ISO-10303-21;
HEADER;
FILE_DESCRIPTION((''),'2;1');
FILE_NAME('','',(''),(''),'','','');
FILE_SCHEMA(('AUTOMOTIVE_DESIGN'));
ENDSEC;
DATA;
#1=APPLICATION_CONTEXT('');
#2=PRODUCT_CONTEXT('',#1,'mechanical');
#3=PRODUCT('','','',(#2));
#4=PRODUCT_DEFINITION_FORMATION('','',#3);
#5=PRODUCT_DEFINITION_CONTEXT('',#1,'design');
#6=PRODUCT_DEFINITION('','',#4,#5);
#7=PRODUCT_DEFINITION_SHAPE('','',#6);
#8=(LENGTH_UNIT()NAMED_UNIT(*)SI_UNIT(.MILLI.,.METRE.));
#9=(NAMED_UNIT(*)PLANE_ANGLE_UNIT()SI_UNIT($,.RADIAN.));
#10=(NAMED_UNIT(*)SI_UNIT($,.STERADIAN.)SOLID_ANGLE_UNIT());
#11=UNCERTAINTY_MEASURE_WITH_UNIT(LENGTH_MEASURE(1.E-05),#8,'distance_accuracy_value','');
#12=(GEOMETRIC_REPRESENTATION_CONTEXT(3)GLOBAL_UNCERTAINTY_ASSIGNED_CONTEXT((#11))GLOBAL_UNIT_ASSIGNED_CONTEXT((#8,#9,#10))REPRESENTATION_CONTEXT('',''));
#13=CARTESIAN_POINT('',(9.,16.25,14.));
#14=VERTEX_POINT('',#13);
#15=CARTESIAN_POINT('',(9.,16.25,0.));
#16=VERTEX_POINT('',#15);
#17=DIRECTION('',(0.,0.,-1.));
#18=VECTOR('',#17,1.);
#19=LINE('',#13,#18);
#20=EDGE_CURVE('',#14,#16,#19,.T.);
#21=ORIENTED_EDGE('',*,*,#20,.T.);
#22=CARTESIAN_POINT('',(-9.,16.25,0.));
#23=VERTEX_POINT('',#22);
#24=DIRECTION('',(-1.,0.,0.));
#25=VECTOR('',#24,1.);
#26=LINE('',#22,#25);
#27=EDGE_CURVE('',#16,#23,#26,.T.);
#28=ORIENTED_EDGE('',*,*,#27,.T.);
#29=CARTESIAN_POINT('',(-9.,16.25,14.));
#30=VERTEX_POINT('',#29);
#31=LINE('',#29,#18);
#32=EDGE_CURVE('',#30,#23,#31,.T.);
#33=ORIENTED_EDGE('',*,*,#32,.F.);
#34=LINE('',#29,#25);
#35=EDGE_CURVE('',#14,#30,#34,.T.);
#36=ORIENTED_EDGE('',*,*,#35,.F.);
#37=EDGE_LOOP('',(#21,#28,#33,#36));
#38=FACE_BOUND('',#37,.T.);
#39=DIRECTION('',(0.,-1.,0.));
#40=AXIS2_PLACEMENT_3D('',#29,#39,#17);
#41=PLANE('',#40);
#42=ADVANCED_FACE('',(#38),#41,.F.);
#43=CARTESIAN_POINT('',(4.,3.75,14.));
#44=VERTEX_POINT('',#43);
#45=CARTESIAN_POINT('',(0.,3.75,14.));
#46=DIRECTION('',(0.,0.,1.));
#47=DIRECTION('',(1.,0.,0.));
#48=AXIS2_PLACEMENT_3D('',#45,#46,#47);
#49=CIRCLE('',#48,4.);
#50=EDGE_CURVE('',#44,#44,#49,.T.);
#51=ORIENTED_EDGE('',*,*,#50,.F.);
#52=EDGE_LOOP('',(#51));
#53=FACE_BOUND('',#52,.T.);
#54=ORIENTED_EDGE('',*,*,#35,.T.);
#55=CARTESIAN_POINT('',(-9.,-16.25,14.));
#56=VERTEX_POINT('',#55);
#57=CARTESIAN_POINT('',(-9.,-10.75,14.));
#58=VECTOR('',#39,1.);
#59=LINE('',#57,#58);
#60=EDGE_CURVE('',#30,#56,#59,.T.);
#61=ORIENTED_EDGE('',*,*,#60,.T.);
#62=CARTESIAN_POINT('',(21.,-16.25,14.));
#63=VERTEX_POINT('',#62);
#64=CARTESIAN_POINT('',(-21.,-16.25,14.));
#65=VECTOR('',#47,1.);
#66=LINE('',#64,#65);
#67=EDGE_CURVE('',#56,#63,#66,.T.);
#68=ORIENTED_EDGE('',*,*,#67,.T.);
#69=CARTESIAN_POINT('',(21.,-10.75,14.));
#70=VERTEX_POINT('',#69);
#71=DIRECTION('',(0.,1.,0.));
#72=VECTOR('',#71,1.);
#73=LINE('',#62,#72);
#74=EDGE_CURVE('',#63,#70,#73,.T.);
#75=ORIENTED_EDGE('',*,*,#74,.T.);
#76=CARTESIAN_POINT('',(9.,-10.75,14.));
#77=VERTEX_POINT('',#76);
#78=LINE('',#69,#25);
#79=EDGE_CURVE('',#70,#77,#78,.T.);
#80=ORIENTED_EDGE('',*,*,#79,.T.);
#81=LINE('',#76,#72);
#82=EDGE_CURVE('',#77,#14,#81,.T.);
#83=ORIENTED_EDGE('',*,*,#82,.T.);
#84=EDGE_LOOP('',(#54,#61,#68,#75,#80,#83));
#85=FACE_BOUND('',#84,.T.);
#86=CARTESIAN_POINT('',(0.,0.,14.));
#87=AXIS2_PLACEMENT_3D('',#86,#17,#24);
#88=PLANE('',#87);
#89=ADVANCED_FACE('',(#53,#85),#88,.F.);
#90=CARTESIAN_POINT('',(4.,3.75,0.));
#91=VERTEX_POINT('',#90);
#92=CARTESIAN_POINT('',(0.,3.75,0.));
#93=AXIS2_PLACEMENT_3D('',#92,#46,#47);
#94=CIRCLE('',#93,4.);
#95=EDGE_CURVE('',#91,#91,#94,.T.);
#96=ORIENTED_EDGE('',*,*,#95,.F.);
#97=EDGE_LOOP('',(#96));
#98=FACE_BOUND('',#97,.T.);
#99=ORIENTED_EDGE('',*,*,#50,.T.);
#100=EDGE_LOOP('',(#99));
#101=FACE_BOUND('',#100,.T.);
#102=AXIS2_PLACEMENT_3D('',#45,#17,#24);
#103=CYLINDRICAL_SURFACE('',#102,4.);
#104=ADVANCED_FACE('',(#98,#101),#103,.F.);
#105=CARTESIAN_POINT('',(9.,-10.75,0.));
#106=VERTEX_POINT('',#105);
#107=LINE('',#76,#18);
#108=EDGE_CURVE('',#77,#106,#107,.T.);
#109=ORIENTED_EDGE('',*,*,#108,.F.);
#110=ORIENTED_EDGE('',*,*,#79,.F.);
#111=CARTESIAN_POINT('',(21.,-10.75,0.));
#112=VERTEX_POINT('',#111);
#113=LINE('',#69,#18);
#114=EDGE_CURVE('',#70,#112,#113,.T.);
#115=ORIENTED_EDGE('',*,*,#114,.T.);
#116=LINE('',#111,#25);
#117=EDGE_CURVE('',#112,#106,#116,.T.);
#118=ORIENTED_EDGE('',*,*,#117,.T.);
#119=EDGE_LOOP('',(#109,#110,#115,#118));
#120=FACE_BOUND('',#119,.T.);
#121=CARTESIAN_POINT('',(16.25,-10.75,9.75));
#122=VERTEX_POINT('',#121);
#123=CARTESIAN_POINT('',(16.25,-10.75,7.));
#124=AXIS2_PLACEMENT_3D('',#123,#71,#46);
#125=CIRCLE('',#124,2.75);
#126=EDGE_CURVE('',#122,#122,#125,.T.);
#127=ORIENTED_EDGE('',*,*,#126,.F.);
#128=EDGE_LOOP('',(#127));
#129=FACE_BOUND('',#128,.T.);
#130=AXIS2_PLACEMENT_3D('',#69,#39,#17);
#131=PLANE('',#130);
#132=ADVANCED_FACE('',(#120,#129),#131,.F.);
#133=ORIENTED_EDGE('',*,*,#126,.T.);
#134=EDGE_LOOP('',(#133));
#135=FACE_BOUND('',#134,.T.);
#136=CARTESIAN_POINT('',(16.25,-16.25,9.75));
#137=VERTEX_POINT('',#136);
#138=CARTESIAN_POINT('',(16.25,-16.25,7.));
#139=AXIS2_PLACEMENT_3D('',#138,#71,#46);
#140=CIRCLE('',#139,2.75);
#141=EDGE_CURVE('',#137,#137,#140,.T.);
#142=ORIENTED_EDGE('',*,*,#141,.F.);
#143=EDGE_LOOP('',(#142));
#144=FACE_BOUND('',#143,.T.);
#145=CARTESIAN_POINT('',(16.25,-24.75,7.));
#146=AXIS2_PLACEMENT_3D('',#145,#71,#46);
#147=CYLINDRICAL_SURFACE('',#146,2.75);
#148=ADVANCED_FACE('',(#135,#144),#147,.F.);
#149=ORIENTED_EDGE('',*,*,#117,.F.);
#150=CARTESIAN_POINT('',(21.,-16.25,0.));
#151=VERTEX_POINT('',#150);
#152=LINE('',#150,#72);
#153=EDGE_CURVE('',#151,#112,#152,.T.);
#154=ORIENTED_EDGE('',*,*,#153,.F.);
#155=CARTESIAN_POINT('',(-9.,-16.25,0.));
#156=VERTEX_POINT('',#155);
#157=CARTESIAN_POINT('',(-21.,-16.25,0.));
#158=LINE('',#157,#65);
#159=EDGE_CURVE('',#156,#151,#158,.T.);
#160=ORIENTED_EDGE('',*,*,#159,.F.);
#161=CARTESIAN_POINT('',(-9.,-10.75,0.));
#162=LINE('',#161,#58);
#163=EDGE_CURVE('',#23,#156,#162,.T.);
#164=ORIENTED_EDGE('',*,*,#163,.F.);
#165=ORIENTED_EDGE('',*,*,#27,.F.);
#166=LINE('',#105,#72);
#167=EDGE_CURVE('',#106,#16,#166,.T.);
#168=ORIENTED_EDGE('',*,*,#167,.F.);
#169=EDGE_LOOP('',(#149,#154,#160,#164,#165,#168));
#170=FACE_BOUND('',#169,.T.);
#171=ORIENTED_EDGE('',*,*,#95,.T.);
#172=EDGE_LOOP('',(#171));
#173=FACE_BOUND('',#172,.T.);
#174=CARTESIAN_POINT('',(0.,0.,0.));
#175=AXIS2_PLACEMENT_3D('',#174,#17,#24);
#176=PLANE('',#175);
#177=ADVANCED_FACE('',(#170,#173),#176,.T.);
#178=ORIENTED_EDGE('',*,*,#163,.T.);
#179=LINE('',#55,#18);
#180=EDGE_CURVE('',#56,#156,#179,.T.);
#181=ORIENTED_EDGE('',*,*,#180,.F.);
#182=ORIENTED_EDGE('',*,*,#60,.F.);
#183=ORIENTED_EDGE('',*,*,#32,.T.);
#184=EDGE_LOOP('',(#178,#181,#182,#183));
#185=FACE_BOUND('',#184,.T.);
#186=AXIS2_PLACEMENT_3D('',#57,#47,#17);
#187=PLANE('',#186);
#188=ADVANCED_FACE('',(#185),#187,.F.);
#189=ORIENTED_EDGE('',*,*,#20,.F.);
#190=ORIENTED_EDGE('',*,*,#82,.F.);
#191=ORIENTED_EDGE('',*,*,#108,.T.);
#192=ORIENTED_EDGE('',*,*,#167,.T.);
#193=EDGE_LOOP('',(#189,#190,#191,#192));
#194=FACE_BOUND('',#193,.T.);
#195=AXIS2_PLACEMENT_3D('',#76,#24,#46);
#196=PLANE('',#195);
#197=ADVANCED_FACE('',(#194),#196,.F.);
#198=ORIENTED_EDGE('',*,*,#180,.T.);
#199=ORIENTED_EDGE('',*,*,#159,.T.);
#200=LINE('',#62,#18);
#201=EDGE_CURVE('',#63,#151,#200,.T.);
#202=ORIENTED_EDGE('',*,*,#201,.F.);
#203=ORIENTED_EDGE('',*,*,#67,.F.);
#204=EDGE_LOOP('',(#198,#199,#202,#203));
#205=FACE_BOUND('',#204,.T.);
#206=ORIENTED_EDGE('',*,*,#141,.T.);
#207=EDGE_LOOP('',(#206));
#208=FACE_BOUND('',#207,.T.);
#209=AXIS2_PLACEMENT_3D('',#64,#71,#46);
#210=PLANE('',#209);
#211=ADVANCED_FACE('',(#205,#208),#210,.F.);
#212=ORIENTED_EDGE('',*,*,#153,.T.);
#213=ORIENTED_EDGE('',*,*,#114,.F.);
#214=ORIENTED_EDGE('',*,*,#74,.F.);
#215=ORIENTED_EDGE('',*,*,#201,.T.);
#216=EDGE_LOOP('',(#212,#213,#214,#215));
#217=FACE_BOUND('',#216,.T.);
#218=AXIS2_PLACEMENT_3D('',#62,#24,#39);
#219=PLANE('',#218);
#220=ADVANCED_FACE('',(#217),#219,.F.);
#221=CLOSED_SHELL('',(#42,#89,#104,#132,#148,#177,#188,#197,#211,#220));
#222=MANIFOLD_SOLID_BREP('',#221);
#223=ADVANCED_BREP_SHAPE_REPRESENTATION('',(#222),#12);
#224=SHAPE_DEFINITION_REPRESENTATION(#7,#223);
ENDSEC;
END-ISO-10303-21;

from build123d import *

# Parameters (mm, degrees)
SKETCH_1_R          = 4
EXTRUDE_1_DEPTH     = 14
SKETCH_2_R          = 2.75
CUT_EXTRUDE_1_DEPTH = 14
SKETCH_3_W          = 12
SKETCH_3_H          = 14
CUT_EXTRUDE_2_DEPTH = 10


with BuildPart() as part:
    # 草图1 → 凸台-拉伸1 (new body)
    with BuildSketch(Plane.XY):
        Polygon((-21, -10.75), (-9, -10.75), (-9, 16.25), (9, 16.25), (9, -10.75), (21, -10.75), (21, -16.25), (-21, -16.25), align=None)
        with Locations((0, 3.75)):
            Circle(SKETCH_1_R, mode=Mode.SUBTRACT)
    extrude(amount=EXTRUDE_1_DEPTH)

    # 草图2 → 切除-拉伸1 (cut)
    with BuildSketch(Plane(origin=(0, -10.75, 0), x_dir=(1, 0, 0), z_dir=(0, 1, 0))):
        with Locations(Location((-16.25, -7, 0), (0, 0, 270))):
            Circle(SKETCH_2_R)
        with Locations(Location((16.25, -7, 0), (0, 0, 270))):
            Circle(SKETCH_2_R)
    extrude(amount=-CUT_EXTRUDE_1_DEPTH, mode=Mode.SUBTRACT)

    # 草图3 → 切除-拉伸2 (cut)
    with BuildSketch(Plane(origin=(0, -10.75, 0), x_dir=(1, 0, 0), z_dir=(0, 1, 0))):
        with Locations((-15, -7)):
            Rectangle(SKETCH_3_W, SKETCH_3_H)
    extrude(amount=-CUT_EXTRUDE_2_DEPTH, mode=Mode.SUBTRACT)


solid = part.part
